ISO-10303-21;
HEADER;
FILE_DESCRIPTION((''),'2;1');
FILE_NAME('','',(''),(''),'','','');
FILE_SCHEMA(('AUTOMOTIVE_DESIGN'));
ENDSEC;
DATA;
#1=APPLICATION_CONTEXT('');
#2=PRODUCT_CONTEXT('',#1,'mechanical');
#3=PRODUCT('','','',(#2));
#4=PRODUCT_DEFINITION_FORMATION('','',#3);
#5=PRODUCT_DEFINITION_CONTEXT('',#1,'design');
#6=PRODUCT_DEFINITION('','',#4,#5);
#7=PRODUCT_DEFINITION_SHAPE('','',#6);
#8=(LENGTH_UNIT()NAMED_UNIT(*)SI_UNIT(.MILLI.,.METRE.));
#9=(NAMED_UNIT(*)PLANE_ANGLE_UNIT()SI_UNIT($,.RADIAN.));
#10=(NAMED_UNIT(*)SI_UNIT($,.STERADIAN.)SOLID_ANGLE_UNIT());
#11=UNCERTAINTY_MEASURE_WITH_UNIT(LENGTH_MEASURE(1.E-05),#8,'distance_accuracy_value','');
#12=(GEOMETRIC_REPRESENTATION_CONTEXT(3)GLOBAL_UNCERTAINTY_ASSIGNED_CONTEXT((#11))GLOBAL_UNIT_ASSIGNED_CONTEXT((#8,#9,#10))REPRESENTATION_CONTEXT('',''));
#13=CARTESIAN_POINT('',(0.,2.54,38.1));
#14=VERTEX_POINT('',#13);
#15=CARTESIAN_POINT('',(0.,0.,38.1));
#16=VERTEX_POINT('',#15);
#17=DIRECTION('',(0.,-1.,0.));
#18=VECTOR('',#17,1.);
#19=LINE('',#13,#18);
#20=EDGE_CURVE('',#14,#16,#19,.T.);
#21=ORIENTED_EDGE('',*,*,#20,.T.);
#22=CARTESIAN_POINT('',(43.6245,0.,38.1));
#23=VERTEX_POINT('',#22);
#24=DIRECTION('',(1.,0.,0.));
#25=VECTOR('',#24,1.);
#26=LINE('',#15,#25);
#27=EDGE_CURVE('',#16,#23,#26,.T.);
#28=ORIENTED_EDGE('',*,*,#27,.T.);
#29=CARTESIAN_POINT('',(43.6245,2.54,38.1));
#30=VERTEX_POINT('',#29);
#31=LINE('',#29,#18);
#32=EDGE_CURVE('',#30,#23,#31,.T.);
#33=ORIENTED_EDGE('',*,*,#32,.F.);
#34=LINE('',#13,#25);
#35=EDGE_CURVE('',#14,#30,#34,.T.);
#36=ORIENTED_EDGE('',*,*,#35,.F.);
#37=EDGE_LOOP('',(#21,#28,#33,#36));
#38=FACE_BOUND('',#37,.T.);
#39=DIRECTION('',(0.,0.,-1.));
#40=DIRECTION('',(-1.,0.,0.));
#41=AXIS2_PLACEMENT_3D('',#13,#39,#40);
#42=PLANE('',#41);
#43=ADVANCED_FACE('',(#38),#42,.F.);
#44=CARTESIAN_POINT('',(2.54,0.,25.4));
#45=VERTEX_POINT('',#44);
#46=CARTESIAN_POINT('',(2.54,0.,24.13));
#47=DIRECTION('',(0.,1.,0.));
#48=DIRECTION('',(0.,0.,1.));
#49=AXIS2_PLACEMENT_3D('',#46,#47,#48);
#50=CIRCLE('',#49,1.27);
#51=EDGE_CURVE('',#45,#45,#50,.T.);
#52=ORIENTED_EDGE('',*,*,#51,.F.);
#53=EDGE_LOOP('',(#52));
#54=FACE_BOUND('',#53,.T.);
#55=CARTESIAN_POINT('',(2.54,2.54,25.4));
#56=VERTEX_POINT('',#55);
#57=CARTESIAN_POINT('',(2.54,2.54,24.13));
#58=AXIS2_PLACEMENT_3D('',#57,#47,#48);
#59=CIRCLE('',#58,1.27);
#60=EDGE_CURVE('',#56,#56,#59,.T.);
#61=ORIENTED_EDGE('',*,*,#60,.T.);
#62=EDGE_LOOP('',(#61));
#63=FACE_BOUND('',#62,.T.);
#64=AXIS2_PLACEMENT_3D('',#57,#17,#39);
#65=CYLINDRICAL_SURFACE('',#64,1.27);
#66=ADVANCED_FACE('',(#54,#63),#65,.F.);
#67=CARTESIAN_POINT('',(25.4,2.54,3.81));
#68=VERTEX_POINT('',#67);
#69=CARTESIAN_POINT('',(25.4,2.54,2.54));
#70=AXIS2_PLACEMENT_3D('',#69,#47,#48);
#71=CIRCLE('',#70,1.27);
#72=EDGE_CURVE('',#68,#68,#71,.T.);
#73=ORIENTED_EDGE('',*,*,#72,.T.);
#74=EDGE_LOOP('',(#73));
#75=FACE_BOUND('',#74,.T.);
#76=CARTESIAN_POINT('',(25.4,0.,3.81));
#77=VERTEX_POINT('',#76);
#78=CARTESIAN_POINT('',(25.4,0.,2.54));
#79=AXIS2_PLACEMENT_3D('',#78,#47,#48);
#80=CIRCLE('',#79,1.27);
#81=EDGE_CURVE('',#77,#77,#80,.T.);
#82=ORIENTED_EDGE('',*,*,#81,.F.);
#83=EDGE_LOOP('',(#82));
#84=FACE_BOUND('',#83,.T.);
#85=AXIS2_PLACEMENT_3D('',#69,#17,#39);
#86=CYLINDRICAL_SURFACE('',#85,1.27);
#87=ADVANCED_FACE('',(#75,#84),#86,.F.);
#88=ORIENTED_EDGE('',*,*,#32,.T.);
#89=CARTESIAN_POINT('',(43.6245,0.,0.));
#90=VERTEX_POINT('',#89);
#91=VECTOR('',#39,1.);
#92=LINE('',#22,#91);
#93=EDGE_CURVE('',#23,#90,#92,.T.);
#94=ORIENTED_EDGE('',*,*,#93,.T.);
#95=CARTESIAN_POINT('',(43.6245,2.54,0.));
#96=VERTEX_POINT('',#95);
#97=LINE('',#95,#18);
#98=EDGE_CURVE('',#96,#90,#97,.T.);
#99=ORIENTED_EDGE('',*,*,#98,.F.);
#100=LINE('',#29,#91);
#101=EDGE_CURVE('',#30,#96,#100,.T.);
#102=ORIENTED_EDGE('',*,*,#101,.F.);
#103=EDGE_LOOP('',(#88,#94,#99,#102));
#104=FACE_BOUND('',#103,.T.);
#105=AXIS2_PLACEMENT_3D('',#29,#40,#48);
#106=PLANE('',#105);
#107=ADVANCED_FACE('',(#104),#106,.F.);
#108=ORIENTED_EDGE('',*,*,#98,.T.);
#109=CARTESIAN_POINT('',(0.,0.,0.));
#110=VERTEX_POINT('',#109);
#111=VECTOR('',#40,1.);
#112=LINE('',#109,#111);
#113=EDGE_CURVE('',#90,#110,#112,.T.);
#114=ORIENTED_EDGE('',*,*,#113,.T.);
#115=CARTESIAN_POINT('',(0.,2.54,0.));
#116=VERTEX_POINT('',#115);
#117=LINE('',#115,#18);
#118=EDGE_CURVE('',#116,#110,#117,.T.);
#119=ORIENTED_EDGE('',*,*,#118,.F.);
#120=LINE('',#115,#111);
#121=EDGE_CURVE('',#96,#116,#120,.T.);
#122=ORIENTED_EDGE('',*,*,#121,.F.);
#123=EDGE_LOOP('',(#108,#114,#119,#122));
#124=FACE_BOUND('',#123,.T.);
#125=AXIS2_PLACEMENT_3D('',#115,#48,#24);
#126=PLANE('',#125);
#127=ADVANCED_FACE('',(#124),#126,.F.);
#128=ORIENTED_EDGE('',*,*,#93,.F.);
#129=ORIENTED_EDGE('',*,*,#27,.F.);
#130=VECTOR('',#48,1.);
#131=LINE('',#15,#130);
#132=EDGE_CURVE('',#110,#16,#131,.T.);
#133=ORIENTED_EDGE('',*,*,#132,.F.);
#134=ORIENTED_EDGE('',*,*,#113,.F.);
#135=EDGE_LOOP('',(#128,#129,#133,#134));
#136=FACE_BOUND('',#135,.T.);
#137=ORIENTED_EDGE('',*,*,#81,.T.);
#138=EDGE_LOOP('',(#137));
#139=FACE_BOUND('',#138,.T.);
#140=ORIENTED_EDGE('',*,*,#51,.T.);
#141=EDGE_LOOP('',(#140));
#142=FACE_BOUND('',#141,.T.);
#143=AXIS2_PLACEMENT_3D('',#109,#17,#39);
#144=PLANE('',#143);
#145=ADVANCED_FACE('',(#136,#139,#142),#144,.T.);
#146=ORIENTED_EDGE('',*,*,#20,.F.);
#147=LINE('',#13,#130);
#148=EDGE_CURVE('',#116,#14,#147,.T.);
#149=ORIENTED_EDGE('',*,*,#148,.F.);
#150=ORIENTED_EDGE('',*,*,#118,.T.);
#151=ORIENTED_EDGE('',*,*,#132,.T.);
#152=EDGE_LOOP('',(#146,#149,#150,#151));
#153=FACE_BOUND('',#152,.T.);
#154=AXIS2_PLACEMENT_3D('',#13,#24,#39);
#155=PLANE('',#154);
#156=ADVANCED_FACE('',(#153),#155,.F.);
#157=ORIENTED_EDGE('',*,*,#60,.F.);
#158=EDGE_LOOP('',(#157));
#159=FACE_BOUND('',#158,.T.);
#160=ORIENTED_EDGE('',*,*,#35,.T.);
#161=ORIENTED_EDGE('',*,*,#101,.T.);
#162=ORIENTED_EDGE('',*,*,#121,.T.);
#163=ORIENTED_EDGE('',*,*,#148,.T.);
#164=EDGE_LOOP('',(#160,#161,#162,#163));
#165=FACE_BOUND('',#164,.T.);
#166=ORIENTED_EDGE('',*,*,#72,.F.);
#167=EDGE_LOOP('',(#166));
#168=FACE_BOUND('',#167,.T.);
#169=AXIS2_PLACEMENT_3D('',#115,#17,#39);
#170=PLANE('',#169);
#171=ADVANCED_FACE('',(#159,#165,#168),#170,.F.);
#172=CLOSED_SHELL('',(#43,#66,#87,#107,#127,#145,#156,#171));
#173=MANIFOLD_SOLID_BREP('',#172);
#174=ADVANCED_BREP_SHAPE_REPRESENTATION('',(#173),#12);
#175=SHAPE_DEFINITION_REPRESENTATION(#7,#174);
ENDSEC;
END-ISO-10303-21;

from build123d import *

# Parameters (mm, degrees)
SKETCH1_W           = 43.6245
SKETCH1_H           = 38.1
SKETCH1_R           = 1.27
BOSS_EXTRUDE1_DEPTH = 2.54


with BuildPart() as part:
    # Sketch1 → Boss-Extrude1 (new body)
    with BuildSketch(Plane(origin=(0, 0, 0), x_dir=(1, 0, 0), z_dir=(0, 1, 0))):
        with Locations((21.81225, -19.05)):
            Rectangle(SKETCH1_W, SKETCH1_H)
        with Locations(Location((25.4, -2.54, 0), (0, 0, 270))):
            Circle(SKETCH1_R, mode=Mode.SUBTRACT)
        with Locations(Location((2.54, -24.13, 0), (0, 0, 270))):
            Circle(SKETCH1_R, mode=Mode.SUBTRACT)
    extrude(amount=BOSS_EXTRUDE1_DEPTH)


solid = part.part
